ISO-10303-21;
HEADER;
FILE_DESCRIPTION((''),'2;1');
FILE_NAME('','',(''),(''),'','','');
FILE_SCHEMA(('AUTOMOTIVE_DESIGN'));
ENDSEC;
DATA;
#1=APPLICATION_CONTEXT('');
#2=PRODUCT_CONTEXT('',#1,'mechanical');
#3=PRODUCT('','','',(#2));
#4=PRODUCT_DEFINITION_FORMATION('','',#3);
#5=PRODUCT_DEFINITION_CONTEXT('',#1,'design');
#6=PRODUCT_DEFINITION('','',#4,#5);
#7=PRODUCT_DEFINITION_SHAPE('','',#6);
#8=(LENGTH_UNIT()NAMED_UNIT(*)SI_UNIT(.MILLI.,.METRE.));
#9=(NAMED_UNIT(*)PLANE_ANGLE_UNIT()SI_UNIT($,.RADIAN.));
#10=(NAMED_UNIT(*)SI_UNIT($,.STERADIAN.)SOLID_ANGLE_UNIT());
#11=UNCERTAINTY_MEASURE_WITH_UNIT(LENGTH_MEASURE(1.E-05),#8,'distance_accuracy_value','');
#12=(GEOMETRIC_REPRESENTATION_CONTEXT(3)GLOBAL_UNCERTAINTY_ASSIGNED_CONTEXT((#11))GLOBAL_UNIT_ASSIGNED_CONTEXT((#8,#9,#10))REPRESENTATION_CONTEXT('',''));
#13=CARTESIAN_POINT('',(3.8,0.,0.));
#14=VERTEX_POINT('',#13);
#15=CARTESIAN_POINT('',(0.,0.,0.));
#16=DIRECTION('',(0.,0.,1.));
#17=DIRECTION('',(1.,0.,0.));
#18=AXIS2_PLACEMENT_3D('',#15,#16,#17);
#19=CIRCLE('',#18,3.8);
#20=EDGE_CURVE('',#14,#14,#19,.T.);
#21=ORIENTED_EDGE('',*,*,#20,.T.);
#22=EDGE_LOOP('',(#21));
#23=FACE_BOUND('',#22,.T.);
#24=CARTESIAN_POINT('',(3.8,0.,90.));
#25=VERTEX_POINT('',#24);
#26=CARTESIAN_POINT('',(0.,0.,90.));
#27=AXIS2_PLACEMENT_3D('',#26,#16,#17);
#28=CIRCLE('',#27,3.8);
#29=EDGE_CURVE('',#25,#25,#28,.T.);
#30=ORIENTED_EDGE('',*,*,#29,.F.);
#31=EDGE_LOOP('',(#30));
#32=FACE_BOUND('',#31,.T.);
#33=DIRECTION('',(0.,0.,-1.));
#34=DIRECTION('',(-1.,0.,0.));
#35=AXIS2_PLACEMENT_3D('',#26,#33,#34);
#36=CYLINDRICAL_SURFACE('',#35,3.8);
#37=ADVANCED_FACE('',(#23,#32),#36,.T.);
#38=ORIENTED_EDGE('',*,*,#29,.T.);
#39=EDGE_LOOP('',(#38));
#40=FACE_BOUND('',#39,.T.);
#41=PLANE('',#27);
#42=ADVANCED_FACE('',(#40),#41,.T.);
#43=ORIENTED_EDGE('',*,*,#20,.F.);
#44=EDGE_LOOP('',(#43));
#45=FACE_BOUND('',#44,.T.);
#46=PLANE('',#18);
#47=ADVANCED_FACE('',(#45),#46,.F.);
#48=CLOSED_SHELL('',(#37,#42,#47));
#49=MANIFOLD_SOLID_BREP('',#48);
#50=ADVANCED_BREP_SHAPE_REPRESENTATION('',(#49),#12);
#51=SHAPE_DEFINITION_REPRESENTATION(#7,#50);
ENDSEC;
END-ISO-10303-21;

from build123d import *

# Parameters (mm, degrees)
SKETCH1_R           = 3.8
BOSS_EXTRUDE1_DEPTH = 90


with BuildPart() as part:
    # Sketch1 → Boss-Extrude1 (new body)
    with BuildSketch(Plane.XY):
        Circle(SKETCH1_R)
    extrude(amount=BOSS_EXTRUDE1_DEPTH)


solid = part.part
